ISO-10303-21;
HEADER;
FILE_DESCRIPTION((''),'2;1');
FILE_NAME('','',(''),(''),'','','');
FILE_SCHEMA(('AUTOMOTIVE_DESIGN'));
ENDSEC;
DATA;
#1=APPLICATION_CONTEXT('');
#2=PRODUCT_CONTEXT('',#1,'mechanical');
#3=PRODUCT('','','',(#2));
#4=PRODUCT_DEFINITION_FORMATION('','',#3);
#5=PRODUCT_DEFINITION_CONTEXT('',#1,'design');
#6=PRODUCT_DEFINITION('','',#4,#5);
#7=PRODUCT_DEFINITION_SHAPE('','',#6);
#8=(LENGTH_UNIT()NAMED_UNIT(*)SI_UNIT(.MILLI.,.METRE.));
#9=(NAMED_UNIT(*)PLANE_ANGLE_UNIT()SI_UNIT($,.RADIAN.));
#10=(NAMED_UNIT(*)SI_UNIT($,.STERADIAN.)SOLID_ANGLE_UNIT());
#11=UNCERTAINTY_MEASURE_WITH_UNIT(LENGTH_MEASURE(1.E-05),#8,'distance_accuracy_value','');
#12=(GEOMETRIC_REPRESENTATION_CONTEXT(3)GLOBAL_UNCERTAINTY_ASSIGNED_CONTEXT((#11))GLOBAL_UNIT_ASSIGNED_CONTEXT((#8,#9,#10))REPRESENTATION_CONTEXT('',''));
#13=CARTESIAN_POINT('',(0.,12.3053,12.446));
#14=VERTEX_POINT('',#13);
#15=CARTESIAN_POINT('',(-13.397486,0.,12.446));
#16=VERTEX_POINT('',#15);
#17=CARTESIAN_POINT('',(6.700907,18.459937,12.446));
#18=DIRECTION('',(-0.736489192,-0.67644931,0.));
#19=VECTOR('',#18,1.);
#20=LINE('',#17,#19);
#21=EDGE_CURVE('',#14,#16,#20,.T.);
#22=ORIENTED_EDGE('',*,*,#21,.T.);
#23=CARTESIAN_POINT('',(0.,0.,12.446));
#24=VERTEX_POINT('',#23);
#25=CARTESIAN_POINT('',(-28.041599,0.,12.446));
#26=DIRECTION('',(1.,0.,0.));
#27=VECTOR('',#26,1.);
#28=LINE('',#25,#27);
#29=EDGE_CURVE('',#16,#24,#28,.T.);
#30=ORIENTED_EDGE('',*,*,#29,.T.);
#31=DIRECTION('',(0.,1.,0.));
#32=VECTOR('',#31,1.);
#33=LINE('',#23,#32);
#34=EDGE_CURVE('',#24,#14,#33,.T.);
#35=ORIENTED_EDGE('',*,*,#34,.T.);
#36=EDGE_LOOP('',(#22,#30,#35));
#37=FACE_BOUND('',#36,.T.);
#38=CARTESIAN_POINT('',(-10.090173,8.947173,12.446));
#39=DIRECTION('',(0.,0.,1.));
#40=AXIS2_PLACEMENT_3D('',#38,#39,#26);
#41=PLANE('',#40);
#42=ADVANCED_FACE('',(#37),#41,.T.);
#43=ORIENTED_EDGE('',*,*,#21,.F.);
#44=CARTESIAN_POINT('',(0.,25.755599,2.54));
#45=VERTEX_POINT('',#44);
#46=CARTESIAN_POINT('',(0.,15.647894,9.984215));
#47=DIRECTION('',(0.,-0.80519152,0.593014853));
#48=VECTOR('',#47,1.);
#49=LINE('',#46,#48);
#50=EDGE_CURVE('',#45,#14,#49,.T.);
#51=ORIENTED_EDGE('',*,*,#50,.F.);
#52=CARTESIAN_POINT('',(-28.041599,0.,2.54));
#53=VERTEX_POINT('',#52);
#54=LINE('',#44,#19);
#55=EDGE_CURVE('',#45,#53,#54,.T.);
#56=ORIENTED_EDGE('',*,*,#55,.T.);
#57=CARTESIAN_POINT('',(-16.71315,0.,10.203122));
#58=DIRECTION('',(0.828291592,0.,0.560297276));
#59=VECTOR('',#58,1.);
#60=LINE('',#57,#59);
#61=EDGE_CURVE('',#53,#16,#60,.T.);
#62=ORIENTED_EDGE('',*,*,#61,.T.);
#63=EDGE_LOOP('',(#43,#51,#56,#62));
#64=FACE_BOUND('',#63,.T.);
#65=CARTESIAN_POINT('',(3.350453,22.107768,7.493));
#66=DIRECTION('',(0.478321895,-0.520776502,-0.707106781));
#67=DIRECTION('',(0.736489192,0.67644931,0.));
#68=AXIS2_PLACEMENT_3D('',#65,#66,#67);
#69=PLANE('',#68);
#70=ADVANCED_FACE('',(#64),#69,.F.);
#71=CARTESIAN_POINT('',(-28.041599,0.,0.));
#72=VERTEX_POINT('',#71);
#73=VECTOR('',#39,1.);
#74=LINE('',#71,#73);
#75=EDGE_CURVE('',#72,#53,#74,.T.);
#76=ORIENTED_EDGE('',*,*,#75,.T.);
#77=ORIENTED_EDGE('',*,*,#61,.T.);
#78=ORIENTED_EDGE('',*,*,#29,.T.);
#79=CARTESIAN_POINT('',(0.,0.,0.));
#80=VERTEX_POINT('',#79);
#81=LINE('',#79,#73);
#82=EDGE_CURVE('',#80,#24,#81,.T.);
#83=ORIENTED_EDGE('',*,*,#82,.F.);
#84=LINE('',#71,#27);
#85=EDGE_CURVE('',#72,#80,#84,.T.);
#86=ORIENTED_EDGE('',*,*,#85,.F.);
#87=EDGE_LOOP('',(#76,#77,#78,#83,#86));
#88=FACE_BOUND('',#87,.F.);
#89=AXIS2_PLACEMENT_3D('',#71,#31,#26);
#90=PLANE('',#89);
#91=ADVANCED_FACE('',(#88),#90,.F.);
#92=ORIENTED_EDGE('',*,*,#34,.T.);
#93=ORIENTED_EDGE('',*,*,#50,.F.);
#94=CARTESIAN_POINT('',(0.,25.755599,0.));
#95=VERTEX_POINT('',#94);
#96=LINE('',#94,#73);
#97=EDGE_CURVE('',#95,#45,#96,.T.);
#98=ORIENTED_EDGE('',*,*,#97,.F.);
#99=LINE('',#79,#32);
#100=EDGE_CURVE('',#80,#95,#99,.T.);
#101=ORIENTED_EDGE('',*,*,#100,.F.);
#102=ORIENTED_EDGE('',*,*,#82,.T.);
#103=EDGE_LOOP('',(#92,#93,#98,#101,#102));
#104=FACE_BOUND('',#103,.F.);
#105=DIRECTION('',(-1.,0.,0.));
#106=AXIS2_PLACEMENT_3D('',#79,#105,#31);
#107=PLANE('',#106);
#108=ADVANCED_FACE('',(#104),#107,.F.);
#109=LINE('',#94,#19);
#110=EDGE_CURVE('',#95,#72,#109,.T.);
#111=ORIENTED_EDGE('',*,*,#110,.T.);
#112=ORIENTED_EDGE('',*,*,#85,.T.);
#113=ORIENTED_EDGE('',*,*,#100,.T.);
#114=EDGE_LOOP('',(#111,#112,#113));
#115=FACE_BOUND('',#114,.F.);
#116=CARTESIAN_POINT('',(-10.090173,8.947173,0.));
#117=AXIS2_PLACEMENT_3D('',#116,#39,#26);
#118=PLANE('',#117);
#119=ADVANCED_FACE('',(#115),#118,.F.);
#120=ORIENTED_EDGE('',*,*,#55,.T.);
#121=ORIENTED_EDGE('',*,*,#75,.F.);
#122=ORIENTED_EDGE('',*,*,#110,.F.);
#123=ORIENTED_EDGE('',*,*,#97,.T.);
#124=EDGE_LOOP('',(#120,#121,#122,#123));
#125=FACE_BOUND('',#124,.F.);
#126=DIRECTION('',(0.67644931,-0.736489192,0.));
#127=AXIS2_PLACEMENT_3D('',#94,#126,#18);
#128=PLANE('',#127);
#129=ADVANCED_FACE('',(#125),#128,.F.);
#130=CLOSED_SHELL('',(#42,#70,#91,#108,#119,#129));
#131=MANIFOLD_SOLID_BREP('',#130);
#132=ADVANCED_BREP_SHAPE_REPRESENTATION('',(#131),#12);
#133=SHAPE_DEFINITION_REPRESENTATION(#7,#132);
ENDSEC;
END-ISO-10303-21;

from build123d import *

# Parameters (mm, degrees)
F1_DEPTH = 12.446
F2_SIZE  = 9.906


with BuildPart() as f1:
    # F0 (on Top) → F1 (new body)
    with BuildSketch(Plane.XY):
        Polygon((-28.041599, 0), (0, 0), (0, 25.755599), align=None)
    extrude(amount=F1_DEPTH)

    # F2
    f2_edges = [f1.edges().sort_by_distance(p)[0] for p in [
        (-14.0208, 12.8778, 12.446),
    ]]
    chamfer(f2_edges, length=F2_SIZE)


solid = f1.part
